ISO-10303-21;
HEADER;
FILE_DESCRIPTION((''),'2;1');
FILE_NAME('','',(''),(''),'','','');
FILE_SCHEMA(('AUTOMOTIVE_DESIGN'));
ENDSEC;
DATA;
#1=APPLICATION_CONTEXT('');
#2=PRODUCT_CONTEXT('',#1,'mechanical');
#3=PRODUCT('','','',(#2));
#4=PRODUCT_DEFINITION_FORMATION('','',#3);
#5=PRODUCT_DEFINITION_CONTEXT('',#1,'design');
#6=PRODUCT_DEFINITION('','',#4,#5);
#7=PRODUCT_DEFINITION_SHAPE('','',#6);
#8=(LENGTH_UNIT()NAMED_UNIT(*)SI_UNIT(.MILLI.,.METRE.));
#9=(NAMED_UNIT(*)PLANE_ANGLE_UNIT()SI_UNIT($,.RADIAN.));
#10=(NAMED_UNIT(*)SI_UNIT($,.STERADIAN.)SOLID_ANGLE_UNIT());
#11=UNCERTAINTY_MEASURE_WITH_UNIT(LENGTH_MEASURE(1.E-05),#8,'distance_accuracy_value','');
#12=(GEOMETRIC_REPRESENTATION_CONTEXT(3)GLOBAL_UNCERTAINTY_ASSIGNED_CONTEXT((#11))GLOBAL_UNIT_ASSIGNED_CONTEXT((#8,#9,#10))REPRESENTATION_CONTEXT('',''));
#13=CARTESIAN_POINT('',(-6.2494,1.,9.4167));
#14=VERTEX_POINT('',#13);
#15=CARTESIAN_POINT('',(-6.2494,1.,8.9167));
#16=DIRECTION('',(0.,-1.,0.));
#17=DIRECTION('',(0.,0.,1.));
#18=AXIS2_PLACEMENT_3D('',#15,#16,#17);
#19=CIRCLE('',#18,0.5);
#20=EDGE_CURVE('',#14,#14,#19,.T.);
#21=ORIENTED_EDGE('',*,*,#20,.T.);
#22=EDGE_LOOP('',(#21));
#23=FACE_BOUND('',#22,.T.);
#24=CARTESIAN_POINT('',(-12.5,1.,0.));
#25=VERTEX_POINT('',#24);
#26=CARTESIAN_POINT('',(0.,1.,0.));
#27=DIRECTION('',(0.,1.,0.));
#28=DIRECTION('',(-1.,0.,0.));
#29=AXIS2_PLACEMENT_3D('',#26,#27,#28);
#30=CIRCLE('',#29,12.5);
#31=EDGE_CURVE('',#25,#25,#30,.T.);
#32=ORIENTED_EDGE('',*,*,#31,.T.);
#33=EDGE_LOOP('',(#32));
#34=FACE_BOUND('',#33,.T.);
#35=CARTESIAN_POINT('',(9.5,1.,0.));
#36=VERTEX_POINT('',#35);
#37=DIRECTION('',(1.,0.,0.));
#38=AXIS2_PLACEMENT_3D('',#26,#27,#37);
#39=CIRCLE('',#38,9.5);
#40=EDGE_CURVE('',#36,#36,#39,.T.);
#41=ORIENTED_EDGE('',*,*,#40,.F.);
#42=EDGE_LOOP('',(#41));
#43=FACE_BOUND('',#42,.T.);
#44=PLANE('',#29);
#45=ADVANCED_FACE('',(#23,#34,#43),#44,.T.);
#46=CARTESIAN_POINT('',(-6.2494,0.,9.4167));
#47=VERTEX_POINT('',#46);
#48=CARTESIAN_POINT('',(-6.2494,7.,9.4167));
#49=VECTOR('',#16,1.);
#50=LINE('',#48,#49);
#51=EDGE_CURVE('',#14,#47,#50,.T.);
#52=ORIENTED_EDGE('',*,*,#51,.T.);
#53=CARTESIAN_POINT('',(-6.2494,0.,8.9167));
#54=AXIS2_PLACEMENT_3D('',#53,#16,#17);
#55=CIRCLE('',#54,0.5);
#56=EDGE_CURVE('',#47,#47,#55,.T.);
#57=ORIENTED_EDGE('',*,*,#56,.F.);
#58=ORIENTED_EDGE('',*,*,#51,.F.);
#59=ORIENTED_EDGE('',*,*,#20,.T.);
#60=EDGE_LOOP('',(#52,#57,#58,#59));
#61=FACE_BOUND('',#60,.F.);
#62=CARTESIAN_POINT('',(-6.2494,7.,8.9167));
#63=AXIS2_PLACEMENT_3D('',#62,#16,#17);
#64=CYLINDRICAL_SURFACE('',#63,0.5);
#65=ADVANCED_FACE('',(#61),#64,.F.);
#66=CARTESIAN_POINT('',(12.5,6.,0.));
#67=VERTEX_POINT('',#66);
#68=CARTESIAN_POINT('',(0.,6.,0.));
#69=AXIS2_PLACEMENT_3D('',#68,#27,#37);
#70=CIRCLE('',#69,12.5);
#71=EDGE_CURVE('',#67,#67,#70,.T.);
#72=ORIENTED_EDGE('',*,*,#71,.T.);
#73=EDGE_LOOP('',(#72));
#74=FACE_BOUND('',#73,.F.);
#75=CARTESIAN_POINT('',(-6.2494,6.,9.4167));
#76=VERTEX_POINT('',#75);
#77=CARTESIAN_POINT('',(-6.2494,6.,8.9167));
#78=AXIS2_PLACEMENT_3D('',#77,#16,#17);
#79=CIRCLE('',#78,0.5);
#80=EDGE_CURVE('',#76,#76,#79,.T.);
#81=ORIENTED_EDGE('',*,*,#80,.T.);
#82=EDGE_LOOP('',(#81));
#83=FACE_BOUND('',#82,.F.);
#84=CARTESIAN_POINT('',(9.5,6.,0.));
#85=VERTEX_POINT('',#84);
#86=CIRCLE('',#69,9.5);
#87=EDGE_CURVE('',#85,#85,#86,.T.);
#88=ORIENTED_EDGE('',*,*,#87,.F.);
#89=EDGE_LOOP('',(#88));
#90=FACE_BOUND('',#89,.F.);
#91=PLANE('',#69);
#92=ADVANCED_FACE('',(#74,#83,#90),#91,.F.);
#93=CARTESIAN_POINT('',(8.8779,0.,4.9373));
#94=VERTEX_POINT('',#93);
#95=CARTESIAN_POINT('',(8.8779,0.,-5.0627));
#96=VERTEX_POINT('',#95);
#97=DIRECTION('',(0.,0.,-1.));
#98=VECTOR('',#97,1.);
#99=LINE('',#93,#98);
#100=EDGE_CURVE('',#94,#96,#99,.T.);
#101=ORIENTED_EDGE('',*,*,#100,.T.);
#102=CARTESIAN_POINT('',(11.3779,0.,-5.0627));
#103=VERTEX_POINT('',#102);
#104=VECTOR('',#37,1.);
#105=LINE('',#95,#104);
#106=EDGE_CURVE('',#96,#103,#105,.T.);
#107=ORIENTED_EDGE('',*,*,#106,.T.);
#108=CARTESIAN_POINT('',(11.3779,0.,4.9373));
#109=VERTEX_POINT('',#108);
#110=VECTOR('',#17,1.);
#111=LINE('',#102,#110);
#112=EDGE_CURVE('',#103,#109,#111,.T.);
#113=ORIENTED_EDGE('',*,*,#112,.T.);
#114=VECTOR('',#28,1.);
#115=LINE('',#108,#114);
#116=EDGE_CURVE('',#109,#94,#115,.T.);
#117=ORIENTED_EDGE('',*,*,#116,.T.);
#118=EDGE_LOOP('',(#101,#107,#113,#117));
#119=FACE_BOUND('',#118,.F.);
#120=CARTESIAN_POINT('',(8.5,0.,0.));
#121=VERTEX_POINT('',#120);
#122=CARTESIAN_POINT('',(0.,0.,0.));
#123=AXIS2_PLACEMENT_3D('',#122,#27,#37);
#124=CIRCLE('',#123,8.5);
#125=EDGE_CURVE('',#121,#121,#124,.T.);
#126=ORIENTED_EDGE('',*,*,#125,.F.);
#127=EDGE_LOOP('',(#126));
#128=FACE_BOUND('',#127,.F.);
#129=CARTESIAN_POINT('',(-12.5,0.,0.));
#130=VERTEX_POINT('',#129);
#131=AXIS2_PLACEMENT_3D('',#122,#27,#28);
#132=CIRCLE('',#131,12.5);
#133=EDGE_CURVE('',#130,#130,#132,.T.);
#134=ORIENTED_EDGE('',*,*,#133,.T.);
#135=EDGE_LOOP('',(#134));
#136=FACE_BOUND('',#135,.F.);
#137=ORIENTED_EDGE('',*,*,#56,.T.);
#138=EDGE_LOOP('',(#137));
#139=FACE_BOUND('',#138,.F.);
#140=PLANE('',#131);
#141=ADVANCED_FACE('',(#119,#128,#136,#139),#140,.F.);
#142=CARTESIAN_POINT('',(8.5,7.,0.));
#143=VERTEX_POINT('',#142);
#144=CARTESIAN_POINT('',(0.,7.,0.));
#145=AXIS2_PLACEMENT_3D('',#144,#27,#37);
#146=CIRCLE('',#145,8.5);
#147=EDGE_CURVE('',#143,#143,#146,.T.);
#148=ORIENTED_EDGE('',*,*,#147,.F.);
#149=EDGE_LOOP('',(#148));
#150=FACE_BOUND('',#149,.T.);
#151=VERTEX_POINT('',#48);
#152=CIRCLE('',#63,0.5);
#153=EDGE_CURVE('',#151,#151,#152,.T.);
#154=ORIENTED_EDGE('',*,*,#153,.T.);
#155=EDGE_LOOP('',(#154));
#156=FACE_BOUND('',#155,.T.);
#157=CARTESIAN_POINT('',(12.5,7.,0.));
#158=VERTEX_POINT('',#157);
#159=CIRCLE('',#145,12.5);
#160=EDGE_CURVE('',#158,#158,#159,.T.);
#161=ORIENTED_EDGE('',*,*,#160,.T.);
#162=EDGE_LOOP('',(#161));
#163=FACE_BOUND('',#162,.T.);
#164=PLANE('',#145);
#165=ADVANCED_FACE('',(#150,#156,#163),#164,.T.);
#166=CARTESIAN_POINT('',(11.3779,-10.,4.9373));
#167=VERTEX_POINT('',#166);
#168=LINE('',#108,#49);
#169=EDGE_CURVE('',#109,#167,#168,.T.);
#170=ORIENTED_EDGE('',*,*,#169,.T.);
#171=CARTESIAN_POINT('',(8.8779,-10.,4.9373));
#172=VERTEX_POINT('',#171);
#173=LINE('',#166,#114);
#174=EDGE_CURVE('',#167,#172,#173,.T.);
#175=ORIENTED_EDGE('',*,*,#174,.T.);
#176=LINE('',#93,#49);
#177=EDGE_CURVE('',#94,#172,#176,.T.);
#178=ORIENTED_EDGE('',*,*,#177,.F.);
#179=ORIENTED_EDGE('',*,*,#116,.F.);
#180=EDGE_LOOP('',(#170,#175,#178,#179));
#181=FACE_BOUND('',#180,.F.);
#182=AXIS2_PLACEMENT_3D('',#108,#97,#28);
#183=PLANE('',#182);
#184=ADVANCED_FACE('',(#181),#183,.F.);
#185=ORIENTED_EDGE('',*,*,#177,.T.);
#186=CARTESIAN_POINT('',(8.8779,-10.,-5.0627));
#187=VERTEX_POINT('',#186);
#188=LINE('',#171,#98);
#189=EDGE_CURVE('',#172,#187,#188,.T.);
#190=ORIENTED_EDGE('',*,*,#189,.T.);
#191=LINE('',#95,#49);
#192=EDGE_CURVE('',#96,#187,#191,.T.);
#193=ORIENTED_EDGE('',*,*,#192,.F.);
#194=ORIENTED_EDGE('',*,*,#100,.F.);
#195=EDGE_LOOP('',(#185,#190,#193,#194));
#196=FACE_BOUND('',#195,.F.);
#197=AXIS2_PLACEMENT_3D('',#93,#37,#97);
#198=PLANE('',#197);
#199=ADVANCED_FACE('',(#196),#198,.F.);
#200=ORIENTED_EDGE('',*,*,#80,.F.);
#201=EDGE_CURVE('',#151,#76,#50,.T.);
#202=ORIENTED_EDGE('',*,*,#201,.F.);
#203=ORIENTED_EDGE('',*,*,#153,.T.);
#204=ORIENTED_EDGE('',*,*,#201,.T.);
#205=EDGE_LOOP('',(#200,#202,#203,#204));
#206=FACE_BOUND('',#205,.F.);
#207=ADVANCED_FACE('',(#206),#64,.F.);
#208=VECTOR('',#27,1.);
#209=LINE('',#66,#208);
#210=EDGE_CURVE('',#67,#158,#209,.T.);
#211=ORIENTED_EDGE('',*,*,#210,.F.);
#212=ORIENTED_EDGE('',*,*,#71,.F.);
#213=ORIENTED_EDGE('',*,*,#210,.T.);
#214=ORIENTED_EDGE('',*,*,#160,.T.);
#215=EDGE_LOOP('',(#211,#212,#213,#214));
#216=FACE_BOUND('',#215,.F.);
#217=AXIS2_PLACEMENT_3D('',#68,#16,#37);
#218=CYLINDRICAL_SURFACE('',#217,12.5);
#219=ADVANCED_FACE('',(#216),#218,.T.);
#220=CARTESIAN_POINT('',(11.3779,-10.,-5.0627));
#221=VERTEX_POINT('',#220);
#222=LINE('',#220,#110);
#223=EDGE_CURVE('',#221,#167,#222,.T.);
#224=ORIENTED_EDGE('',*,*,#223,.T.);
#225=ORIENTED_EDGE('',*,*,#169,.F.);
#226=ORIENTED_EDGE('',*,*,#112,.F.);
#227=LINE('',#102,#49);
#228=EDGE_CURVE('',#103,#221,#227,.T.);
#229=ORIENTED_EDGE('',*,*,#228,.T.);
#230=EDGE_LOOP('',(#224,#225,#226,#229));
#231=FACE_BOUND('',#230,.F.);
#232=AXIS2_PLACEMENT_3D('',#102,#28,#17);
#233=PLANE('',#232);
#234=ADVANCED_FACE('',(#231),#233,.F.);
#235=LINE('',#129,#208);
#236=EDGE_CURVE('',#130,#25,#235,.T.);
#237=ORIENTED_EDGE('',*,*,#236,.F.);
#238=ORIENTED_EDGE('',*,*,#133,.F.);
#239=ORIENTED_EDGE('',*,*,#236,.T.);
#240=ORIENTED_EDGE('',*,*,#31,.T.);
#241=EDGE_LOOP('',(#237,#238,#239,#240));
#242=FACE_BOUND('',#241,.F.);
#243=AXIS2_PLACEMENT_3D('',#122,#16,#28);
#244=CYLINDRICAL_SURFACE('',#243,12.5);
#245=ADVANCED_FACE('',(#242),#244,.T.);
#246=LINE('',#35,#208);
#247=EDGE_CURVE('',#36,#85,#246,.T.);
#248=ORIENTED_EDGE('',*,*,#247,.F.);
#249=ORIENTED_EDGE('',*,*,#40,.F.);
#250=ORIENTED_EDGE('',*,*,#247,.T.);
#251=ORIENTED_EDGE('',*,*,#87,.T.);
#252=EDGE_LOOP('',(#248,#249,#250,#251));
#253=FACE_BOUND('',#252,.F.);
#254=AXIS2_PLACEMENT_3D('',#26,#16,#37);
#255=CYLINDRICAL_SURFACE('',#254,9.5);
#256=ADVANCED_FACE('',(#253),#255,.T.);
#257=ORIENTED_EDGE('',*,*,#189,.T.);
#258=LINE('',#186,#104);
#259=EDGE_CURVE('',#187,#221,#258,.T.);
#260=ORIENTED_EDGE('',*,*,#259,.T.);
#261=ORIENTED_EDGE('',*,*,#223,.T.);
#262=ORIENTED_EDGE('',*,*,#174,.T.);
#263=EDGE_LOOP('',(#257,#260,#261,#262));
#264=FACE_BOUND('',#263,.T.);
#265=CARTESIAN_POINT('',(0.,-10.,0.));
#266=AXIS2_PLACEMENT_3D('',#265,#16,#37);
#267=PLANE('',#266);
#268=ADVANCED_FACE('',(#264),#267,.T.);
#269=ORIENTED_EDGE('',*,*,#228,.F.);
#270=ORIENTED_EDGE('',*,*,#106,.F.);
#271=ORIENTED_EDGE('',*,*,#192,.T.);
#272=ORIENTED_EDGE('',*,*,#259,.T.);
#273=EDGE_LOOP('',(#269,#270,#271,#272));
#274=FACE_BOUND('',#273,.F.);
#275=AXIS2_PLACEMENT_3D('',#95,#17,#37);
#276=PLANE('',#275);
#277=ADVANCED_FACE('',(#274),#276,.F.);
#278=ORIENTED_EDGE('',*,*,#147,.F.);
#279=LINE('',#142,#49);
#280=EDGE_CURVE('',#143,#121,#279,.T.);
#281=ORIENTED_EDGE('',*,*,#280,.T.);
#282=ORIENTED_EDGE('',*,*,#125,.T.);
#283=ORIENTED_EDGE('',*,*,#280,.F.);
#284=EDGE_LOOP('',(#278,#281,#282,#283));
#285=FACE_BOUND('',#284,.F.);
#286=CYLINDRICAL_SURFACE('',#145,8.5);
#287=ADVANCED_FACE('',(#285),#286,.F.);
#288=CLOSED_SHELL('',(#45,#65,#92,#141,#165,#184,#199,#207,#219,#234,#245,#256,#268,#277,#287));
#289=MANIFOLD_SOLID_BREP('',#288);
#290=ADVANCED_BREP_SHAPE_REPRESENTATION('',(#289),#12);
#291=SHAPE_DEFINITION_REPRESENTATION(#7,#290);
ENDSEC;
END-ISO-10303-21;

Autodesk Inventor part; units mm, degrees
ref_plane "YZ Plane" through (0, 0, 0) normal (1, 0, 0) x (0, 1, 0)
ref_plane "XZ Plane" through (0, 0, 0) normal (0, 1, 0) x (-1, 0, 0)
ref_plane "XY Plane" through (0, 0, 0) normal (0, 0, 1) x (1, 0, 0)
sketch "Sketch1" plane through (0, 0, 0) normal (0, 1, 0) x (-1, 0, 0)
  circle A0 centre (0, 0) radius 12.5
  dimension "d0" = 25
extrude "Extrusion1" add sketch "Sketch1" along normal blind 1
sketch "Sketch2" plane through (0, 1, 0) normal (0, 1, 0) x (1, 0, 0)
  circle A0 centre (0, 0) radius 9.5
  dimension "d3" = 19
extrude "Extrusion2" add sketch "Sketch2" along normal blind 5
sketch "Sketch3" plane through (0, 6, 0) normal (0, 1, 0) x (1, 0, 0)
  circle A0 centre (0, 0) radius 12.5
  dimension "d6" = 25
extrude "Extrusion3" add sketch "Sketch3" along normal blind 1
hole "Hole1" at (-6.2494, 7, 8.9167) direction (0, -1, 0) diameter 1 depth 7
sketch "Sketch4" plane through (0, 7, 0) normal (0, 1, 0) x (1, 0, 0)
  circle A0 centre (0, 0) radius 8.5
  dimension "d18" = 17
extrude "Extrusion4" cut sketch "Sketch4" against normal blind 7
thread "Thread1" size "4-24" class "2B" standard "Inch Tapping Threads" full length
sketch "Sketch5" plane through (0, 0, 0) normal (0, -1, 0) x (1, 0, 0)
  line L0 (11.3779, 4.9373) -> (8.8779, 4.9373)
  line L1 (8.8779, 4.9373) -> (8.8779, -5.0627)
  line L2 (8.8779, -5.0627) -> (11.3779, -5.0627)
  line L3 (11.3779, -5.0627) -> (11.3779, 4.9373)
  point P0 (0, 0)
  dimension "d23" = 10
  dimension "d24" = 2.5
extrude "Extrusion5" add sketch "Sketch5" along normal blind 10
properties part number "Ttube1"
